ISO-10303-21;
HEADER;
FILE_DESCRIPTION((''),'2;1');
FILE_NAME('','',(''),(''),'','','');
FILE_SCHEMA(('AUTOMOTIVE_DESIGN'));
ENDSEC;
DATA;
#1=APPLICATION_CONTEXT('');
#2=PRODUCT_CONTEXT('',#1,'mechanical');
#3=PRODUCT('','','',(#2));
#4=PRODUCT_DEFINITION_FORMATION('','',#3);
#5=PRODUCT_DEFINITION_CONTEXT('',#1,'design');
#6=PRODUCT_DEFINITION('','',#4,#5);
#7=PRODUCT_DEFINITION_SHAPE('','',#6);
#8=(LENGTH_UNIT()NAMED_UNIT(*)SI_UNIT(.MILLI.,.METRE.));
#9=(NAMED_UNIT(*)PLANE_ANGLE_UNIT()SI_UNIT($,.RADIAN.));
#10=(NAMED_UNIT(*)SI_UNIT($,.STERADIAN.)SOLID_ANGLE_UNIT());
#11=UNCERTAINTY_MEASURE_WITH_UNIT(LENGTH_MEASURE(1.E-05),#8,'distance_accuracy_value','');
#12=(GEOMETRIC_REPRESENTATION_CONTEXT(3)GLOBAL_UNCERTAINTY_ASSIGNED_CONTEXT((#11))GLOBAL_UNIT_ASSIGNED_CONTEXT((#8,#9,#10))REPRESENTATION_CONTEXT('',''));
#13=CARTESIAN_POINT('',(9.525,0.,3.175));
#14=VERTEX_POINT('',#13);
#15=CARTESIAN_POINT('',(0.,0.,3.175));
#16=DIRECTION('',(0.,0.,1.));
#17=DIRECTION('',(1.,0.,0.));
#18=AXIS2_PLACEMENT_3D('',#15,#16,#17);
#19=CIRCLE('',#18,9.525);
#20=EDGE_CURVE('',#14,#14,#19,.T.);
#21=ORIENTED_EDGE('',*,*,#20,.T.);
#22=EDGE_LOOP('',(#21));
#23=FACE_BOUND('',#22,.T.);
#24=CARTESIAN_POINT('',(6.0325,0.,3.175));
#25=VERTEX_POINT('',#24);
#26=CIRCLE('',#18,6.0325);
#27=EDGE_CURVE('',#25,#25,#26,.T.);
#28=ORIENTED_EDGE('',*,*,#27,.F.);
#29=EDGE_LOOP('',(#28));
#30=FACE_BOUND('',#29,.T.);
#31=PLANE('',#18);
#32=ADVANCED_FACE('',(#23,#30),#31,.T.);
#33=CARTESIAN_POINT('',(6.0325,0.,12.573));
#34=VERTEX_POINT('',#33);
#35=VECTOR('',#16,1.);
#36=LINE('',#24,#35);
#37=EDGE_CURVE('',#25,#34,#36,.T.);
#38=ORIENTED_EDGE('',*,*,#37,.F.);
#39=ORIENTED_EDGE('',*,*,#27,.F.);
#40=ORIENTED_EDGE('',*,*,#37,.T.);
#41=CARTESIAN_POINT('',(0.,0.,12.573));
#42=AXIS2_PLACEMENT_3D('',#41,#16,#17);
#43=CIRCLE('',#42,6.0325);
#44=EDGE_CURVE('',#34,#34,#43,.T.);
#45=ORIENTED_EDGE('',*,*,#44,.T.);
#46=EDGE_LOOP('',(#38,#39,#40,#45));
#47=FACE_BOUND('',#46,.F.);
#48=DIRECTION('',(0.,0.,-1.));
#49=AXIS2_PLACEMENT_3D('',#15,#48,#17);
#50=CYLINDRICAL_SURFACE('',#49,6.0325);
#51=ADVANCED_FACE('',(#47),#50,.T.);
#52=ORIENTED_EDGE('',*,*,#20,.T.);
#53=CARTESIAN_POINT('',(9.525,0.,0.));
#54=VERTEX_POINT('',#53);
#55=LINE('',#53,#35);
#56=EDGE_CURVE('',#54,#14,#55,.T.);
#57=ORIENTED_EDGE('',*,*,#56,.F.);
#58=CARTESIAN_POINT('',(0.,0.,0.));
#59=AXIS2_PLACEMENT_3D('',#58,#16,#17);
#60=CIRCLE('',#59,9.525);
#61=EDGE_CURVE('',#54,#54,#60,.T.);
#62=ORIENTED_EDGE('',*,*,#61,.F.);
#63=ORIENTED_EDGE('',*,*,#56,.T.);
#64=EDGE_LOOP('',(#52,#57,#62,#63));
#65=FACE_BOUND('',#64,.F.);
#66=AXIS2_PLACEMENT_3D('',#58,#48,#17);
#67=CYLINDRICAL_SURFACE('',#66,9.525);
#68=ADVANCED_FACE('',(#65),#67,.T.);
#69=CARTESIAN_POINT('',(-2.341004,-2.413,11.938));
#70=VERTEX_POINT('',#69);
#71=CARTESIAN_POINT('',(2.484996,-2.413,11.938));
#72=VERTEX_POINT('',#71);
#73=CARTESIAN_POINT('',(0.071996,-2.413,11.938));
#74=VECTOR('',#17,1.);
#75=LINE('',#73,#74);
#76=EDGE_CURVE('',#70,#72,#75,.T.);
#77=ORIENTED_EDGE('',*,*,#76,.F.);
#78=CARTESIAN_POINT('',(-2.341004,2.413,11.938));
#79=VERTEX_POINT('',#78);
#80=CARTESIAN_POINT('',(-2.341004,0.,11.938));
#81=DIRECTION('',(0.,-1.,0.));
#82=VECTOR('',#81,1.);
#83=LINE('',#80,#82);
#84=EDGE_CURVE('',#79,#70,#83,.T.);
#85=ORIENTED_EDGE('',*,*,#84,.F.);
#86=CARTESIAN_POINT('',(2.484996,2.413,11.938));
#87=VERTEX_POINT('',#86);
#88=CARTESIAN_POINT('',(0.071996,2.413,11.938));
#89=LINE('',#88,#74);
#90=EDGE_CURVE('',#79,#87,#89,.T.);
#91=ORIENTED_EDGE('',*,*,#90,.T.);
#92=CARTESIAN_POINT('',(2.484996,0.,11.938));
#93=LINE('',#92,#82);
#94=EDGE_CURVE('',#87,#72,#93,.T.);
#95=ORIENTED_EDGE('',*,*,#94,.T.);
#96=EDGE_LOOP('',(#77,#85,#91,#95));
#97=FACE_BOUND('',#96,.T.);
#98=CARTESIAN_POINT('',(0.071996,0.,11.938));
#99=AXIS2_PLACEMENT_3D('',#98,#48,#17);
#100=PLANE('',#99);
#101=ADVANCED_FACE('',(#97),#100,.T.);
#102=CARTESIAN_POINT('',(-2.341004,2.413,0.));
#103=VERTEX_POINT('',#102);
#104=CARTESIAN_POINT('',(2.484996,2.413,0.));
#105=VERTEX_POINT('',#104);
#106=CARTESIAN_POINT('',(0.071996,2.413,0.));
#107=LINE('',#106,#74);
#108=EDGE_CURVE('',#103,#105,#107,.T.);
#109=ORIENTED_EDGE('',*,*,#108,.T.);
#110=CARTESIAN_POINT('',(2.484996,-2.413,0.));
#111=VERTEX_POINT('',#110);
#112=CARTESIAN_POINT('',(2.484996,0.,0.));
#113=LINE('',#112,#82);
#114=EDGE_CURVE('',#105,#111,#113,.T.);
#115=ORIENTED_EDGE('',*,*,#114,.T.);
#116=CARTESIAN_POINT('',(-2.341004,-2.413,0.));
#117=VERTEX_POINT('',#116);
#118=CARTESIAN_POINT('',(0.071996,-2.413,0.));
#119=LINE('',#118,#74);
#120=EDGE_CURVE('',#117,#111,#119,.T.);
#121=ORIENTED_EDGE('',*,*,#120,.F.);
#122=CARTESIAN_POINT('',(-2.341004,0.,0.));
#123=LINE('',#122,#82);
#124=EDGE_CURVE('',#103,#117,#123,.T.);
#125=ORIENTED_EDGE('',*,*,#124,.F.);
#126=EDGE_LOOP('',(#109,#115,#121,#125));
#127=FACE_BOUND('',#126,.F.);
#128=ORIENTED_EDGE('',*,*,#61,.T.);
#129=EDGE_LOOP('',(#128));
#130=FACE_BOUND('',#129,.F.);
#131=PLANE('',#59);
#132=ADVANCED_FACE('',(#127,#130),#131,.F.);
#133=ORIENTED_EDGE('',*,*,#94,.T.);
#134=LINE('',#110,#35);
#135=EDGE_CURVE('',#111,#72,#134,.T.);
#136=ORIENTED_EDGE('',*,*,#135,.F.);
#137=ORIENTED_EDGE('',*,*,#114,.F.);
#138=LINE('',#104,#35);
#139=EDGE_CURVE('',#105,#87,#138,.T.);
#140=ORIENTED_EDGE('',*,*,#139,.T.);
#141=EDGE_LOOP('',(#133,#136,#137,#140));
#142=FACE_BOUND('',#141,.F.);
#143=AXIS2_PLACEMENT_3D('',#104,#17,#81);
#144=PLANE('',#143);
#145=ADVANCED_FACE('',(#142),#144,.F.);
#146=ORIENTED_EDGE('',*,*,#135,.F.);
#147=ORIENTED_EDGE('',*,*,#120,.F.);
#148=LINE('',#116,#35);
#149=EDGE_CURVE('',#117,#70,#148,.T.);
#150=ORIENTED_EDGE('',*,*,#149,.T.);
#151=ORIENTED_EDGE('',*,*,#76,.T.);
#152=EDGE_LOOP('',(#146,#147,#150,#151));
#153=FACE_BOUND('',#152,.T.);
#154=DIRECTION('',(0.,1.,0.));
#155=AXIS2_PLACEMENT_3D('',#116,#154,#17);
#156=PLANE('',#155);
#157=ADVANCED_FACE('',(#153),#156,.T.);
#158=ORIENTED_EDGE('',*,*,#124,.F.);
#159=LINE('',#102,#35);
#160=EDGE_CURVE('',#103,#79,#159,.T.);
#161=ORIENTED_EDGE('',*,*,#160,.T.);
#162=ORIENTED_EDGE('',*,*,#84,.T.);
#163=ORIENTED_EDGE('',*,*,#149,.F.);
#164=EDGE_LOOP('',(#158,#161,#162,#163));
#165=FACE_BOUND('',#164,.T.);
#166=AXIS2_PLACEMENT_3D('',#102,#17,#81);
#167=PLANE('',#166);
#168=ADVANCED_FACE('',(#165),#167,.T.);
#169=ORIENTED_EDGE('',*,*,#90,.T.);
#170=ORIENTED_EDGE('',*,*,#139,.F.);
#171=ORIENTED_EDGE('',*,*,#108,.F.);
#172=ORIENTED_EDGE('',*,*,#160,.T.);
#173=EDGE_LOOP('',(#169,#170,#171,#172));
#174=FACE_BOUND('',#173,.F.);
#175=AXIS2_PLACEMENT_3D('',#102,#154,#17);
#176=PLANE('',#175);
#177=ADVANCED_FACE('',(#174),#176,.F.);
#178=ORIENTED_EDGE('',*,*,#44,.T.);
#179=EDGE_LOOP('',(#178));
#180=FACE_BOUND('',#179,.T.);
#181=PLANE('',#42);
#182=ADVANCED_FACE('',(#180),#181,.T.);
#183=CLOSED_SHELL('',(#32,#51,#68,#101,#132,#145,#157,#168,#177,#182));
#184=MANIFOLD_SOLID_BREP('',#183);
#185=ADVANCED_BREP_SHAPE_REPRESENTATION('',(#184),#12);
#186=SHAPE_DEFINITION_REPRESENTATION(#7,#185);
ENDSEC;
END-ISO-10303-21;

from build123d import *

# Parameters (mm, degrees)
F0_R     = 9.525
F1_DEPTH = 3.175
F2_R     = 6.0325
F3_DEPTH = 9.398
F4_W     = 4.826
F4_H     = 4.826
F5_DEPTH = 11.938


with BuildPart() as f1:
    # F0 (on Top) → F1 (new body)
    with BuildSketch(Plane.XY):
        Circle(F0_R)
    extrude(amount=F1_DEPTH)

    # F2 (on face) → F3 (join)
    with BuildSketch(Plane.XY.offset(3.175)):
        Circle(F2_R)
    extrude(amount=F3_DEPTH)

    # F4 (on face) → F5 (cut)
    with BuildSketch(Plane(origin=(0, 0, 0), x_dir=(1, 0, 0), z_dir=(0, 0, -1))):
        with Locations((0.071996, 0)):
            Rectangle(F4_W, F4_H)
    extrude(amount=-F5_DEPTH, mode=Mode.SUBTRACT)


solid = f1.part
